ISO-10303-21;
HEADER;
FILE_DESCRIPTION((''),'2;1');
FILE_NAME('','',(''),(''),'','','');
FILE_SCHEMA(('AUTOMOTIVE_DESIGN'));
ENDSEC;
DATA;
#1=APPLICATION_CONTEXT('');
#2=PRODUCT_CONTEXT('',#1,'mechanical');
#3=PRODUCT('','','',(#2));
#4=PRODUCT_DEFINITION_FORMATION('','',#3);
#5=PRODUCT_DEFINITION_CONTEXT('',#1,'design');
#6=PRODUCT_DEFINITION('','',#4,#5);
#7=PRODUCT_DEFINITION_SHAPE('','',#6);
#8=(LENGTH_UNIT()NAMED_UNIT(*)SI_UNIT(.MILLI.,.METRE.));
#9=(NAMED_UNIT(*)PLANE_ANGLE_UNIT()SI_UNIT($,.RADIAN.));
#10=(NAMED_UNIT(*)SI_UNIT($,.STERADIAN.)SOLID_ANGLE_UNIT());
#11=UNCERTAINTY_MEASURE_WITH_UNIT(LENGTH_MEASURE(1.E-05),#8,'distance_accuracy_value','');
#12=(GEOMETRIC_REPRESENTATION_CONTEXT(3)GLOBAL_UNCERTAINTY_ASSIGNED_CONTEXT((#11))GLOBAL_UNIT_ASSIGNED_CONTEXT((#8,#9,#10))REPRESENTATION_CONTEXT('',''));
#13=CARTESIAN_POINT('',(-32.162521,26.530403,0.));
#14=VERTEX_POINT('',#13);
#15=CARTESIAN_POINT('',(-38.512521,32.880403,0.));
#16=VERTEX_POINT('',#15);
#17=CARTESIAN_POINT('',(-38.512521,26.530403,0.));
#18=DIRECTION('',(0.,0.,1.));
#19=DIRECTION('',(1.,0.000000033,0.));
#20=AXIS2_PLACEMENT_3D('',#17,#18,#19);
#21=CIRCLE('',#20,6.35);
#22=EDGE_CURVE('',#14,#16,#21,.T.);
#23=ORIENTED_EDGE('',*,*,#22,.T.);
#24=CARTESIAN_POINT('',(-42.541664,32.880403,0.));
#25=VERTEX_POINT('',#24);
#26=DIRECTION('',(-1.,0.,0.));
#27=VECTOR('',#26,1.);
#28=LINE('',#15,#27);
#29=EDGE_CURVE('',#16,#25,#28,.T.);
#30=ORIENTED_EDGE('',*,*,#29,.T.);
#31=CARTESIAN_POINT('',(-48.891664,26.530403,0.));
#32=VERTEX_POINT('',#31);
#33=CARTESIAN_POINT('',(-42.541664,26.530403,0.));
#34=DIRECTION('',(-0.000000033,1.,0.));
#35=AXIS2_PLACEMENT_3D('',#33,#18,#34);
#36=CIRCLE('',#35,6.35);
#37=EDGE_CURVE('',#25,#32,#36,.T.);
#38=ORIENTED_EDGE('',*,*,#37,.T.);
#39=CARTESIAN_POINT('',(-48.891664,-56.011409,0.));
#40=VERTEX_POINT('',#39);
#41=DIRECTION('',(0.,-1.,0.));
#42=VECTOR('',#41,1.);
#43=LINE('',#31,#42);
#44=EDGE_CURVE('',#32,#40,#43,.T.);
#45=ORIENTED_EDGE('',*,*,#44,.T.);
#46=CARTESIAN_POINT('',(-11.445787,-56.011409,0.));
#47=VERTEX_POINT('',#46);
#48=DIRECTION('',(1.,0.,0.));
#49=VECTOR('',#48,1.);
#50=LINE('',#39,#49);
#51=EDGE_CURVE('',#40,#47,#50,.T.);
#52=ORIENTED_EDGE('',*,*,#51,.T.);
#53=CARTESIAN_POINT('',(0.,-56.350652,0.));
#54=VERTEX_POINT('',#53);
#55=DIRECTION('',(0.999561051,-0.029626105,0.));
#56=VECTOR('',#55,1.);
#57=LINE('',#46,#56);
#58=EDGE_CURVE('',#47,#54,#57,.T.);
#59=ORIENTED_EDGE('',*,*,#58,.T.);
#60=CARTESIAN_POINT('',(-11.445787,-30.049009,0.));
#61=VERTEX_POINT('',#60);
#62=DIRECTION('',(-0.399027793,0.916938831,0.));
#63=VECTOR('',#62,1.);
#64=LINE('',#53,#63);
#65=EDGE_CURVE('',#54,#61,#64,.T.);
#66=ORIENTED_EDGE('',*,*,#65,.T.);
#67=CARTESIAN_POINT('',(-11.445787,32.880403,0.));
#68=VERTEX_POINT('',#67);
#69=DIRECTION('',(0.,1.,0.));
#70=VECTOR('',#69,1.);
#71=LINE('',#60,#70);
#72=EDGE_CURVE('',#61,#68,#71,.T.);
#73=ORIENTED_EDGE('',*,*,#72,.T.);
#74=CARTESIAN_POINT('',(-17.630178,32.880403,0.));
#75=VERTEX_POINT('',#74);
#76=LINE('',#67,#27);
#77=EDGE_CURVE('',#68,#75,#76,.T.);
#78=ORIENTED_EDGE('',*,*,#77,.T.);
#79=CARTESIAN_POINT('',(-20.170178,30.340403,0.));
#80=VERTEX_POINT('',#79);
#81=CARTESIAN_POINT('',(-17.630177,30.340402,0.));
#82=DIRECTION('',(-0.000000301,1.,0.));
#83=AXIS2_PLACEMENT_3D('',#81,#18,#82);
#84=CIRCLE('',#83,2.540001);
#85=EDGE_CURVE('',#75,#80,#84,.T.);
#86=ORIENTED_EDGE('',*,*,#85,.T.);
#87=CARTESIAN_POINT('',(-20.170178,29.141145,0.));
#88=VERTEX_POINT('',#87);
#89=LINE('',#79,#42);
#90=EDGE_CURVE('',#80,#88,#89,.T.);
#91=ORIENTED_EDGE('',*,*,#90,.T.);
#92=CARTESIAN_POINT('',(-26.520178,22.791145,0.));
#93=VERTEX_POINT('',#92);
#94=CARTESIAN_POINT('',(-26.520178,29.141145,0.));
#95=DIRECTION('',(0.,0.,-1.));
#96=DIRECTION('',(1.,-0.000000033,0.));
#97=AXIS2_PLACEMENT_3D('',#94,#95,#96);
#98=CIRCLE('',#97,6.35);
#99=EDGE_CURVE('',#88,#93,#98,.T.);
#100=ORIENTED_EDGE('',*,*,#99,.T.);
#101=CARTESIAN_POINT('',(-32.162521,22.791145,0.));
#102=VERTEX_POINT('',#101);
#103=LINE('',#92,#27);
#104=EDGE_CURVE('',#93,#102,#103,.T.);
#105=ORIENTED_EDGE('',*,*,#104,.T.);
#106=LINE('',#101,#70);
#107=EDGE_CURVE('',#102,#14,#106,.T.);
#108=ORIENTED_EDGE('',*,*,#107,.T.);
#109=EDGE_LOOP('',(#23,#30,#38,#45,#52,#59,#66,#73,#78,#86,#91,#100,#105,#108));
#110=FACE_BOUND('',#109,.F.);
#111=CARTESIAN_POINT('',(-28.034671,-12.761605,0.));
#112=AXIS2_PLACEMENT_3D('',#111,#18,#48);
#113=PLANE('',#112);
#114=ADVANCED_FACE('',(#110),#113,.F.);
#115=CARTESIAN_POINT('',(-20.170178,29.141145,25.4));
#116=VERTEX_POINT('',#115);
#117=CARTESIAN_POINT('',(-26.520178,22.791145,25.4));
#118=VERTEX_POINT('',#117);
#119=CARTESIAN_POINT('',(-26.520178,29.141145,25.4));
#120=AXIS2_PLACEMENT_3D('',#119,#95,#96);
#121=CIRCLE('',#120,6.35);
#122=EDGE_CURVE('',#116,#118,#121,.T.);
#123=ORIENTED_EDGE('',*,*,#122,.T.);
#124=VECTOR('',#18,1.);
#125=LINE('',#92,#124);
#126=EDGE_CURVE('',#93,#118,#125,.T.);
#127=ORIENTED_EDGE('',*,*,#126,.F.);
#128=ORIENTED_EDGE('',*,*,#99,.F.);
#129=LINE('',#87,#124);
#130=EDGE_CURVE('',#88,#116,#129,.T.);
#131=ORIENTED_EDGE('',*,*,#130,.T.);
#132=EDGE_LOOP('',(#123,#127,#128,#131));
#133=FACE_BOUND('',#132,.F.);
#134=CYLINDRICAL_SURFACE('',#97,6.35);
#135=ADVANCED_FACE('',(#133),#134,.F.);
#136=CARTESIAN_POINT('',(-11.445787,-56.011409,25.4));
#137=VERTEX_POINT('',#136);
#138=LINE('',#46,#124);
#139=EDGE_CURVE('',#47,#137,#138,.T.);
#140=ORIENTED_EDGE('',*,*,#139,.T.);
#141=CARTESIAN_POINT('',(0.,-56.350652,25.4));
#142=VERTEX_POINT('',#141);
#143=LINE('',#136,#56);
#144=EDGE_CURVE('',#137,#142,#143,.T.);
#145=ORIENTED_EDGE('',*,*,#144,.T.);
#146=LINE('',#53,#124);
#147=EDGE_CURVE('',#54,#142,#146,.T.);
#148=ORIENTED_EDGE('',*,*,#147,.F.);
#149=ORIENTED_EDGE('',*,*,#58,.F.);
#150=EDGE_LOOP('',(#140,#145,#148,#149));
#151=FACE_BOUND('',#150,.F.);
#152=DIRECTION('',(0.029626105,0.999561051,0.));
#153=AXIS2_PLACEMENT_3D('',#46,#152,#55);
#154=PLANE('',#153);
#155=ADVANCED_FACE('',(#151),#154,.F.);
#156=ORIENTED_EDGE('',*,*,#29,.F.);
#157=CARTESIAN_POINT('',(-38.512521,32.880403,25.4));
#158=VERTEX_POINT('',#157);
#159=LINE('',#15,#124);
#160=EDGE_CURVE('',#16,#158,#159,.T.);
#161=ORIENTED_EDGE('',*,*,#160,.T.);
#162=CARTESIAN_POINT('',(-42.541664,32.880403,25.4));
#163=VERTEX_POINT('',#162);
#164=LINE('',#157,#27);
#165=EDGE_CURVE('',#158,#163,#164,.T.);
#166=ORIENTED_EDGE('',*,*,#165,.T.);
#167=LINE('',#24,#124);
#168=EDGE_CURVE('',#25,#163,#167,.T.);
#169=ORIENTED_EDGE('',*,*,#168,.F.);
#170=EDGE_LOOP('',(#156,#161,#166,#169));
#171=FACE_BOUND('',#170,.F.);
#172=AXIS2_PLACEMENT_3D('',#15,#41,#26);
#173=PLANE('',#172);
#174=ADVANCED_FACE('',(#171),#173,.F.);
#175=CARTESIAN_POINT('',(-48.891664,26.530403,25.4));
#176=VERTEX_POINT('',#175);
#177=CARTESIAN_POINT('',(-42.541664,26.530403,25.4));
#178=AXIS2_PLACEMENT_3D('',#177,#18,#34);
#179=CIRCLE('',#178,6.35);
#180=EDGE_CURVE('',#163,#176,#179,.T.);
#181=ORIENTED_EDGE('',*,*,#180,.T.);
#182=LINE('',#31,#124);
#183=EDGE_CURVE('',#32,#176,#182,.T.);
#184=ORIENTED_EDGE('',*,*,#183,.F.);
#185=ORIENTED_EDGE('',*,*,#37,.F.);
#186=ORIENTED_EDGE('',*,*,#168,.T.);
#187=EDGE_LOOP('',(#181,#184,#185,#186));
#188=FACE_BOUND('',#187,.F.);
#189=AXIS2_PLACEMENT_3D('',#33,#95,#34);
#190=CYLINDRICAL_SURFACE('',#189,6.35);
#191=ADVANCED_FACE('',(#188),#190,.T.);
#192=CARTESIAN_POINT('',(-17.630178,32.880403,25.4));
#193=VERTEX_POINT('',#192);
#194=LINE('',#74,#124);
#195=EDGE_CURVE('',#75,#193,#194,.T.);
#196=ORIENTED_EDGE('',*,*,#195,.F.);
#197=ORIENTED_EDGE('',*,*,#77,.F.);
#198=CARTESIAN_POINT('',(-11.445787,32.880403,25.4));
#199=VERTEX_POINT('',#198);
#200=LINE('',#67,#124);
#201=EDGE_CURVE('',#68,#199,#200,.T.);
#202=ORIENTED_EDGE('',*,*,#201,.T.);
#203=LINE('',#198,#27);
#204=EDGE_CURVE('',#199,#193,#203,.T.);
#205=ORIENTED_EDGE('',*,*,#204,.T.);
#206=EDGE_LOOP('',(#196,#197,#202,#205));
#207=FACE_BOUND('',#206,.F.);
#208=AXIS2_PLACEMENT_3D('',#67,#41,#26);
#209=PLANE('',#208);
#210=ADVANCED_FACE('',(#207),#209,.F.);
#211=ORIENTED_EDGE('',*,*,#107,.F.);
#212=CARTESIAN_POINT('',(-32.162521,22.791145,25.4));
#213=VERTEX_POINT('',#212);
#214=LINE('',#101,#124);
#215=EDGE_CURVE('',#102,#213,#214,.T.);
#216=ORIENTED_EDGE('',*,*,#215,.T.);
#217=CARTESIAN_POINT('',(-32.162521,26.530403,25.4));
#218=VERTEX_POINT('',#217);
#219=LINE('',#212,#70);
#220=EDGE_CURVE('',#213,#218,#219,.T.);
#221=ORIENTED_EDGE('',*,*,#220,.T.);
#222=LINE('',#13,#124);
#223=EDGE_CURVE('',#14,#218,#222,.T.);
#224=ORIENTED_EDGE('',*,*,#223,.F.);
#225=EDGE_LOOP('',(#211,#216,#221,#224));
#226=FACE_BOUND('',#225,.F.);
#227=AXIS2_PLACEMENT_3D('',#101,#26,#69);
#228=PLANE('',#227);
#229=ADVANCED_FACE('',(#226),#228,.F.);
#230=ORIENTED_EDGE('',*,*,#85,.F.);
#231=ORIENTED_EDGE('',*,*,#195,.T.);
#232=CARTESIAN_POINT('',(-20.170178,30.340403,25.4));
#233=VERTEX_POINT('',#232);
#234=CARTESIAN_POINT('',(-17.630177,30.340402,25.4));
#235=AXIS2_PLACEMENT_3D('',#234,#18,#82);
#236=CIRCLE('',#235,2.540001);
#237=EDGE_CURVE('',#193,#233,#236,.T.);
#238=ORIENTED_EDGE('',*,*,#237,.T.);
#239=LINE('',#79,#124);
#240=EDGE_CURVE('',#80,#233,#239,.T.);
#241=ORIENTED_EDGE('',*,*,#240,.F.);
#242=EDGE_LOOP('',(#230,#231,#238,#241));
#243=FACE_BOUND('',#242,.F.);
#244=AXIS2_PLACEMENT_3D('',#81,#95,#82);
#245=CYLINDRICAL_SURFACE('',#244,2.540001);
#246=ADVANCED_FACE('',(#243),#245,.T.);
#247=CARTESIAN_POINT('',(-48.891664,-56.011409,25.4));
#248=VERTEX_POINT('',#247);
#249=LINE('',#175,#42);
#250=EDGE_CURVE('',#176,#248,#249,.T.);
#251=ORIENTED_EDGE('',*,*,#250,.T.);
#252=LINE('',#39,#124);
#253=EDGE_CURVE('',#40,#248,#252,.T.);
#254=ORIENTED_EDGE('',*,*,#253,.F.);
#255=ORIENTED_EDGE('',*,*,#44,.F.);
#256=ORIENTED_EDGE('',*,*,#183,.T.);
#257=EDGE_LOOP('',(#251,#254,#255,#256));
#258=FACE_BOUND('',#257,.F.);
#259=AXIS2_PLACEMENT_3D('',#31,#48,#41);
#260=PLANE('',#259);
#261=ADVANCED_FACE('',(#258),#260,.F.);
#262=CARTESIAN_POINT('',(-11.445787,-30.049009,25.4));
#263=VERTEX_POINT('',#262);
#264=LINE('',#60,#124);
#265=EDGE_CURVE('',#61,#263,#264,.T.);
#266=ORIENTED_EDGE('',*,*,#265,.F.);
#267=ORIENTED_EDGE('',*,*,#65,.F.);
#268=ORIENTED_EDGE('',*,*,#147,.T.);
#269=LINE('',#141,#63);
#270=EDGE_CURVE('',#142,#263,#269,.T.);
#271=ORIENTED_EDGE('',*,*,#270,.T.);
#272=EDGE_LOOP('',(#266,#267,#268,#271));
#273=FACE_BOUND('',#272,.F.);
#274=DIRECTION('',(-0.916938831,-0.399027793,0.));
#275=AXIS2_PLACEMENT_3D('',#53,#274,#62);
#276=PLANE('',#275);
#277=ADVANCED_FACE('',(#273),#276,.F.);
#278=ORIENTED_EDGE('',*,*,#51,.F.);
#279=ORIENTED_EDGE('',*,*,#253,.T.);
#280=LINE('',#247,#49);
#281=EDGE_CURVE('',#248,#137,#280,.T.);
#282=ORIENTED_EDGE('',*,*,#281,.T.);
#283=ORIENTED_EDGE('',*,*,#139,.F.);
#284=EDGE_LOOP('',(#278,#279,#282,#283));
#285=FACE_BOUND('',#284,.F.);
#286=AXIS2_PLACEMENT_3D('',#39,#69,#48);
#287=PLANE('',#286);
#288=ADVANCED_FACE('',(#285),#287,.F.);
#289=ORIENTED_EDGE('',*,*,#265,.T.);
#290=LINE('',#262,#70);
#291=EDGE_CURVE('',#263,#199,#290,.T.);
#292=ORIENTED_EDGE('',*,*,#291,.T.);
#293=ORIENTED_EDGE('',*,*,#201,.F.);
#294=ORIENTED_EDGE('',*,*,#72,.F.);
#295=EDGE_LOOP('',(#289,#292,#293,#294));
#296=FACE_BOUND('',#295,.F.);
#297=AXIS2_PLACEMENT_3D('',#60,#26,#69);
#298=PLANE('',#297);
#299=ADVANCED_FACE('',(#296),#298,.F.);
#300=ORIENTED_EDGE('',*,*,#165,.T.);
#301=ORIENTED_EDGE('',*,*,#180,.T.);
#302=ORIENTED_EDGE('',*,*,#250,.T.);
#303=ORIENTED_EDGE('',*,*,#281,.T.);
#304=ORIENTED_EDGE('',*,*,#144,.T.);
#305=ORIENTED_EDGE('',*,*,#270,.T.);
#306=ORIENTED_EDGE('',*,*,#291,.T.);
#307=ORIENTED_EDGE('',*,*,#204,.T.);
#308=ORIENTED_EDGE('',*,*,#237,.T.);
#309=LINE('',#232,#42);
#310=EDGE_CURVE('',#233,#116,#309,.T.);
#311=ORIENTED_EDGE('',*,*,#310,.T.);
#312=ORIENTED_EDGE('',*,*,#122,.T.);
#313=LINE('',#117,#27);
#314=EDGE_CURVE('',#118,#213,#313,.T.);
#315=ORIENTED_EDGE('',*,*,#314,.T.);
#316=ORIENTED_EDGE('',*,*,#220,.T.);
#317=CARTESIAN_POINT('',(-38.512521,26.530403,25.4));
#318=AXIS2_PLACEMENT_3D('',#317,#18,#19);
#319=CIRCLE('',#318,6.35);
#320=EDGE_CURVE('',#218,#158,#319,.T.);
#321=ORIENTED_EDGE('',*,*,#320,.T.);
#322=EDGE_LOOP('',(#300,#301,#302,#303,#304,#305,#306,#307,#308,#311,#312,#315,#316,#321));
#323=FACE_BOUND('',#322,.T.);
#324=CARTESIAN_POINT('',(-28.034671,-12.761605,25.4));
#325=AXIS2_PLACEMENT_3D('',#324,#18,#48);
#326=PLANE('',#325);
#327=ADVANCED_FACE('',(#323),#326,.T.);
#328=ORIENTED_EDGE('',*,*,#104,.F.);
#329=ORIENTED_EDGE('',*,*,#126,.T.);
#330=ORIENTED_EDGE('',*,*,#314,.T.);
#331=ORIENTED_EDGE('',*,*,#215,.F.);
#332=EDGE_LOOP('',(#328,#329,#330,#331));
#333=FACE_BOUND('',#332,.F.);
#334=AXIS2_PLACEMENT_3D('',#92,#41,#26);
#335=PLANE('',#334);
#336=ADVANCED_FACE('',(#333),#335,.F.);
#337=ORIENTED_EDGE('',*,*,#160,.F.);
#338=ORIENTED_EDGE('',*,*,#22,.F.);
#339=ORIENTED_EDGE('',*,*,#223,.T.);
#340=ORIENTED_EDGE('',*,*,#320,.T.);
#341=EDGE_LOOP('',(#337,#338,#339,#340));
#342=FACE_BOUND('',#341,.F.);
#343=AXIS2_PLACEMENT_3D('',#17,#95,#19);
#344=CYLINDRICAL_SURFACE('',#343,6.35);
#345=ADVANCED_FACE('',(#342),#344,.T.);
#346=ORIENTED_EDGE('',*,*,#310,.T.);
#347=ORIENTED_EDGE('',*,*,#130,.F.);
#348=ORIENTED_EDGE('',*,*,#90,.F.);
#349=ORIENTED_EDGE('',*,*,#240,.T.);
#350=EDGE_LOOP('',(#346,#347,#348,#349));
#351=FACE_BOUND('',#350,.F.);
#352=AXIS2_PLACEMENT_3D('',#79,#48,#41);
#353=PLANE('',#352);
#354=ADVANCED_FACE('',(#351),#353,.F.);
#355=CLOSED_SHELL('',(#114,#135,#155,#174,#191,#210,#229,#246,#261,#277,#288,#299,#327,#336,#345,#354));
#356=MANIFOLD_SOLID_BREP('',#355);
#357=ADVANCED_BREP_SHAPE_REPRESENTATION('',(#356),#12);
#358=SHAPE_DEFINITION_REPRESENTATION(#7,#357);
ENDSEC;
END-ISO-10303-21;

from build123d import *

# Parameters (mm, degrees)
F1_DEPTH = 25.4


with BuildPart() as f1:
    # F0 (on Top) → F1 (new body)
    with BuildSketch(Plane.XY):
        with BuildLine():
            Line((-38.512521, 32.880403), (-42.541664, 32.880403))
            ThreePointArc((-42.541664, 32.880403), (-47.031792, 31.020531), (-48.891664, 26.530403))
            Line((-48.891664, 26.530403), (-48.891664, -56.011409))
            Line((-48.891664, -56.011409), (-11.445787, -56.011409))
            Line((-11.445787, -56.011409), (0, -56.350652))
            Line((0, -56.350652), (-11.445787, -30.049009))
            Line((-11.445787, -30.049009), (-11.445787, 32.880403))
            Line((-11.445787, 32.880403), (-17.630178, 32.880403))
            ThreePointArc((-17.630178, 32.880403), (-19.426229, 32.136454), (-20.170178, 30.340403))
            Line((-20.170178, 30.340403), (-20.170178, 29.141145))
            ThreePointArc((-20.170178, 29.141145), (-22.03005, 24.651017), (-26.520178, 22.791145))
            Line((-26.520178, 22.791145), (-32.162521, 22.791145))
            Line((-32.162521, 22.791145), (-32.162521, 26.530403))
            ThreePointArc((-32.162521, 26.530403), (-34.022393, 31.020531), (-38.512521, 32.880403))
        make_face()
    extrude(amount=F1_DEPTH)


solid = f1.part
